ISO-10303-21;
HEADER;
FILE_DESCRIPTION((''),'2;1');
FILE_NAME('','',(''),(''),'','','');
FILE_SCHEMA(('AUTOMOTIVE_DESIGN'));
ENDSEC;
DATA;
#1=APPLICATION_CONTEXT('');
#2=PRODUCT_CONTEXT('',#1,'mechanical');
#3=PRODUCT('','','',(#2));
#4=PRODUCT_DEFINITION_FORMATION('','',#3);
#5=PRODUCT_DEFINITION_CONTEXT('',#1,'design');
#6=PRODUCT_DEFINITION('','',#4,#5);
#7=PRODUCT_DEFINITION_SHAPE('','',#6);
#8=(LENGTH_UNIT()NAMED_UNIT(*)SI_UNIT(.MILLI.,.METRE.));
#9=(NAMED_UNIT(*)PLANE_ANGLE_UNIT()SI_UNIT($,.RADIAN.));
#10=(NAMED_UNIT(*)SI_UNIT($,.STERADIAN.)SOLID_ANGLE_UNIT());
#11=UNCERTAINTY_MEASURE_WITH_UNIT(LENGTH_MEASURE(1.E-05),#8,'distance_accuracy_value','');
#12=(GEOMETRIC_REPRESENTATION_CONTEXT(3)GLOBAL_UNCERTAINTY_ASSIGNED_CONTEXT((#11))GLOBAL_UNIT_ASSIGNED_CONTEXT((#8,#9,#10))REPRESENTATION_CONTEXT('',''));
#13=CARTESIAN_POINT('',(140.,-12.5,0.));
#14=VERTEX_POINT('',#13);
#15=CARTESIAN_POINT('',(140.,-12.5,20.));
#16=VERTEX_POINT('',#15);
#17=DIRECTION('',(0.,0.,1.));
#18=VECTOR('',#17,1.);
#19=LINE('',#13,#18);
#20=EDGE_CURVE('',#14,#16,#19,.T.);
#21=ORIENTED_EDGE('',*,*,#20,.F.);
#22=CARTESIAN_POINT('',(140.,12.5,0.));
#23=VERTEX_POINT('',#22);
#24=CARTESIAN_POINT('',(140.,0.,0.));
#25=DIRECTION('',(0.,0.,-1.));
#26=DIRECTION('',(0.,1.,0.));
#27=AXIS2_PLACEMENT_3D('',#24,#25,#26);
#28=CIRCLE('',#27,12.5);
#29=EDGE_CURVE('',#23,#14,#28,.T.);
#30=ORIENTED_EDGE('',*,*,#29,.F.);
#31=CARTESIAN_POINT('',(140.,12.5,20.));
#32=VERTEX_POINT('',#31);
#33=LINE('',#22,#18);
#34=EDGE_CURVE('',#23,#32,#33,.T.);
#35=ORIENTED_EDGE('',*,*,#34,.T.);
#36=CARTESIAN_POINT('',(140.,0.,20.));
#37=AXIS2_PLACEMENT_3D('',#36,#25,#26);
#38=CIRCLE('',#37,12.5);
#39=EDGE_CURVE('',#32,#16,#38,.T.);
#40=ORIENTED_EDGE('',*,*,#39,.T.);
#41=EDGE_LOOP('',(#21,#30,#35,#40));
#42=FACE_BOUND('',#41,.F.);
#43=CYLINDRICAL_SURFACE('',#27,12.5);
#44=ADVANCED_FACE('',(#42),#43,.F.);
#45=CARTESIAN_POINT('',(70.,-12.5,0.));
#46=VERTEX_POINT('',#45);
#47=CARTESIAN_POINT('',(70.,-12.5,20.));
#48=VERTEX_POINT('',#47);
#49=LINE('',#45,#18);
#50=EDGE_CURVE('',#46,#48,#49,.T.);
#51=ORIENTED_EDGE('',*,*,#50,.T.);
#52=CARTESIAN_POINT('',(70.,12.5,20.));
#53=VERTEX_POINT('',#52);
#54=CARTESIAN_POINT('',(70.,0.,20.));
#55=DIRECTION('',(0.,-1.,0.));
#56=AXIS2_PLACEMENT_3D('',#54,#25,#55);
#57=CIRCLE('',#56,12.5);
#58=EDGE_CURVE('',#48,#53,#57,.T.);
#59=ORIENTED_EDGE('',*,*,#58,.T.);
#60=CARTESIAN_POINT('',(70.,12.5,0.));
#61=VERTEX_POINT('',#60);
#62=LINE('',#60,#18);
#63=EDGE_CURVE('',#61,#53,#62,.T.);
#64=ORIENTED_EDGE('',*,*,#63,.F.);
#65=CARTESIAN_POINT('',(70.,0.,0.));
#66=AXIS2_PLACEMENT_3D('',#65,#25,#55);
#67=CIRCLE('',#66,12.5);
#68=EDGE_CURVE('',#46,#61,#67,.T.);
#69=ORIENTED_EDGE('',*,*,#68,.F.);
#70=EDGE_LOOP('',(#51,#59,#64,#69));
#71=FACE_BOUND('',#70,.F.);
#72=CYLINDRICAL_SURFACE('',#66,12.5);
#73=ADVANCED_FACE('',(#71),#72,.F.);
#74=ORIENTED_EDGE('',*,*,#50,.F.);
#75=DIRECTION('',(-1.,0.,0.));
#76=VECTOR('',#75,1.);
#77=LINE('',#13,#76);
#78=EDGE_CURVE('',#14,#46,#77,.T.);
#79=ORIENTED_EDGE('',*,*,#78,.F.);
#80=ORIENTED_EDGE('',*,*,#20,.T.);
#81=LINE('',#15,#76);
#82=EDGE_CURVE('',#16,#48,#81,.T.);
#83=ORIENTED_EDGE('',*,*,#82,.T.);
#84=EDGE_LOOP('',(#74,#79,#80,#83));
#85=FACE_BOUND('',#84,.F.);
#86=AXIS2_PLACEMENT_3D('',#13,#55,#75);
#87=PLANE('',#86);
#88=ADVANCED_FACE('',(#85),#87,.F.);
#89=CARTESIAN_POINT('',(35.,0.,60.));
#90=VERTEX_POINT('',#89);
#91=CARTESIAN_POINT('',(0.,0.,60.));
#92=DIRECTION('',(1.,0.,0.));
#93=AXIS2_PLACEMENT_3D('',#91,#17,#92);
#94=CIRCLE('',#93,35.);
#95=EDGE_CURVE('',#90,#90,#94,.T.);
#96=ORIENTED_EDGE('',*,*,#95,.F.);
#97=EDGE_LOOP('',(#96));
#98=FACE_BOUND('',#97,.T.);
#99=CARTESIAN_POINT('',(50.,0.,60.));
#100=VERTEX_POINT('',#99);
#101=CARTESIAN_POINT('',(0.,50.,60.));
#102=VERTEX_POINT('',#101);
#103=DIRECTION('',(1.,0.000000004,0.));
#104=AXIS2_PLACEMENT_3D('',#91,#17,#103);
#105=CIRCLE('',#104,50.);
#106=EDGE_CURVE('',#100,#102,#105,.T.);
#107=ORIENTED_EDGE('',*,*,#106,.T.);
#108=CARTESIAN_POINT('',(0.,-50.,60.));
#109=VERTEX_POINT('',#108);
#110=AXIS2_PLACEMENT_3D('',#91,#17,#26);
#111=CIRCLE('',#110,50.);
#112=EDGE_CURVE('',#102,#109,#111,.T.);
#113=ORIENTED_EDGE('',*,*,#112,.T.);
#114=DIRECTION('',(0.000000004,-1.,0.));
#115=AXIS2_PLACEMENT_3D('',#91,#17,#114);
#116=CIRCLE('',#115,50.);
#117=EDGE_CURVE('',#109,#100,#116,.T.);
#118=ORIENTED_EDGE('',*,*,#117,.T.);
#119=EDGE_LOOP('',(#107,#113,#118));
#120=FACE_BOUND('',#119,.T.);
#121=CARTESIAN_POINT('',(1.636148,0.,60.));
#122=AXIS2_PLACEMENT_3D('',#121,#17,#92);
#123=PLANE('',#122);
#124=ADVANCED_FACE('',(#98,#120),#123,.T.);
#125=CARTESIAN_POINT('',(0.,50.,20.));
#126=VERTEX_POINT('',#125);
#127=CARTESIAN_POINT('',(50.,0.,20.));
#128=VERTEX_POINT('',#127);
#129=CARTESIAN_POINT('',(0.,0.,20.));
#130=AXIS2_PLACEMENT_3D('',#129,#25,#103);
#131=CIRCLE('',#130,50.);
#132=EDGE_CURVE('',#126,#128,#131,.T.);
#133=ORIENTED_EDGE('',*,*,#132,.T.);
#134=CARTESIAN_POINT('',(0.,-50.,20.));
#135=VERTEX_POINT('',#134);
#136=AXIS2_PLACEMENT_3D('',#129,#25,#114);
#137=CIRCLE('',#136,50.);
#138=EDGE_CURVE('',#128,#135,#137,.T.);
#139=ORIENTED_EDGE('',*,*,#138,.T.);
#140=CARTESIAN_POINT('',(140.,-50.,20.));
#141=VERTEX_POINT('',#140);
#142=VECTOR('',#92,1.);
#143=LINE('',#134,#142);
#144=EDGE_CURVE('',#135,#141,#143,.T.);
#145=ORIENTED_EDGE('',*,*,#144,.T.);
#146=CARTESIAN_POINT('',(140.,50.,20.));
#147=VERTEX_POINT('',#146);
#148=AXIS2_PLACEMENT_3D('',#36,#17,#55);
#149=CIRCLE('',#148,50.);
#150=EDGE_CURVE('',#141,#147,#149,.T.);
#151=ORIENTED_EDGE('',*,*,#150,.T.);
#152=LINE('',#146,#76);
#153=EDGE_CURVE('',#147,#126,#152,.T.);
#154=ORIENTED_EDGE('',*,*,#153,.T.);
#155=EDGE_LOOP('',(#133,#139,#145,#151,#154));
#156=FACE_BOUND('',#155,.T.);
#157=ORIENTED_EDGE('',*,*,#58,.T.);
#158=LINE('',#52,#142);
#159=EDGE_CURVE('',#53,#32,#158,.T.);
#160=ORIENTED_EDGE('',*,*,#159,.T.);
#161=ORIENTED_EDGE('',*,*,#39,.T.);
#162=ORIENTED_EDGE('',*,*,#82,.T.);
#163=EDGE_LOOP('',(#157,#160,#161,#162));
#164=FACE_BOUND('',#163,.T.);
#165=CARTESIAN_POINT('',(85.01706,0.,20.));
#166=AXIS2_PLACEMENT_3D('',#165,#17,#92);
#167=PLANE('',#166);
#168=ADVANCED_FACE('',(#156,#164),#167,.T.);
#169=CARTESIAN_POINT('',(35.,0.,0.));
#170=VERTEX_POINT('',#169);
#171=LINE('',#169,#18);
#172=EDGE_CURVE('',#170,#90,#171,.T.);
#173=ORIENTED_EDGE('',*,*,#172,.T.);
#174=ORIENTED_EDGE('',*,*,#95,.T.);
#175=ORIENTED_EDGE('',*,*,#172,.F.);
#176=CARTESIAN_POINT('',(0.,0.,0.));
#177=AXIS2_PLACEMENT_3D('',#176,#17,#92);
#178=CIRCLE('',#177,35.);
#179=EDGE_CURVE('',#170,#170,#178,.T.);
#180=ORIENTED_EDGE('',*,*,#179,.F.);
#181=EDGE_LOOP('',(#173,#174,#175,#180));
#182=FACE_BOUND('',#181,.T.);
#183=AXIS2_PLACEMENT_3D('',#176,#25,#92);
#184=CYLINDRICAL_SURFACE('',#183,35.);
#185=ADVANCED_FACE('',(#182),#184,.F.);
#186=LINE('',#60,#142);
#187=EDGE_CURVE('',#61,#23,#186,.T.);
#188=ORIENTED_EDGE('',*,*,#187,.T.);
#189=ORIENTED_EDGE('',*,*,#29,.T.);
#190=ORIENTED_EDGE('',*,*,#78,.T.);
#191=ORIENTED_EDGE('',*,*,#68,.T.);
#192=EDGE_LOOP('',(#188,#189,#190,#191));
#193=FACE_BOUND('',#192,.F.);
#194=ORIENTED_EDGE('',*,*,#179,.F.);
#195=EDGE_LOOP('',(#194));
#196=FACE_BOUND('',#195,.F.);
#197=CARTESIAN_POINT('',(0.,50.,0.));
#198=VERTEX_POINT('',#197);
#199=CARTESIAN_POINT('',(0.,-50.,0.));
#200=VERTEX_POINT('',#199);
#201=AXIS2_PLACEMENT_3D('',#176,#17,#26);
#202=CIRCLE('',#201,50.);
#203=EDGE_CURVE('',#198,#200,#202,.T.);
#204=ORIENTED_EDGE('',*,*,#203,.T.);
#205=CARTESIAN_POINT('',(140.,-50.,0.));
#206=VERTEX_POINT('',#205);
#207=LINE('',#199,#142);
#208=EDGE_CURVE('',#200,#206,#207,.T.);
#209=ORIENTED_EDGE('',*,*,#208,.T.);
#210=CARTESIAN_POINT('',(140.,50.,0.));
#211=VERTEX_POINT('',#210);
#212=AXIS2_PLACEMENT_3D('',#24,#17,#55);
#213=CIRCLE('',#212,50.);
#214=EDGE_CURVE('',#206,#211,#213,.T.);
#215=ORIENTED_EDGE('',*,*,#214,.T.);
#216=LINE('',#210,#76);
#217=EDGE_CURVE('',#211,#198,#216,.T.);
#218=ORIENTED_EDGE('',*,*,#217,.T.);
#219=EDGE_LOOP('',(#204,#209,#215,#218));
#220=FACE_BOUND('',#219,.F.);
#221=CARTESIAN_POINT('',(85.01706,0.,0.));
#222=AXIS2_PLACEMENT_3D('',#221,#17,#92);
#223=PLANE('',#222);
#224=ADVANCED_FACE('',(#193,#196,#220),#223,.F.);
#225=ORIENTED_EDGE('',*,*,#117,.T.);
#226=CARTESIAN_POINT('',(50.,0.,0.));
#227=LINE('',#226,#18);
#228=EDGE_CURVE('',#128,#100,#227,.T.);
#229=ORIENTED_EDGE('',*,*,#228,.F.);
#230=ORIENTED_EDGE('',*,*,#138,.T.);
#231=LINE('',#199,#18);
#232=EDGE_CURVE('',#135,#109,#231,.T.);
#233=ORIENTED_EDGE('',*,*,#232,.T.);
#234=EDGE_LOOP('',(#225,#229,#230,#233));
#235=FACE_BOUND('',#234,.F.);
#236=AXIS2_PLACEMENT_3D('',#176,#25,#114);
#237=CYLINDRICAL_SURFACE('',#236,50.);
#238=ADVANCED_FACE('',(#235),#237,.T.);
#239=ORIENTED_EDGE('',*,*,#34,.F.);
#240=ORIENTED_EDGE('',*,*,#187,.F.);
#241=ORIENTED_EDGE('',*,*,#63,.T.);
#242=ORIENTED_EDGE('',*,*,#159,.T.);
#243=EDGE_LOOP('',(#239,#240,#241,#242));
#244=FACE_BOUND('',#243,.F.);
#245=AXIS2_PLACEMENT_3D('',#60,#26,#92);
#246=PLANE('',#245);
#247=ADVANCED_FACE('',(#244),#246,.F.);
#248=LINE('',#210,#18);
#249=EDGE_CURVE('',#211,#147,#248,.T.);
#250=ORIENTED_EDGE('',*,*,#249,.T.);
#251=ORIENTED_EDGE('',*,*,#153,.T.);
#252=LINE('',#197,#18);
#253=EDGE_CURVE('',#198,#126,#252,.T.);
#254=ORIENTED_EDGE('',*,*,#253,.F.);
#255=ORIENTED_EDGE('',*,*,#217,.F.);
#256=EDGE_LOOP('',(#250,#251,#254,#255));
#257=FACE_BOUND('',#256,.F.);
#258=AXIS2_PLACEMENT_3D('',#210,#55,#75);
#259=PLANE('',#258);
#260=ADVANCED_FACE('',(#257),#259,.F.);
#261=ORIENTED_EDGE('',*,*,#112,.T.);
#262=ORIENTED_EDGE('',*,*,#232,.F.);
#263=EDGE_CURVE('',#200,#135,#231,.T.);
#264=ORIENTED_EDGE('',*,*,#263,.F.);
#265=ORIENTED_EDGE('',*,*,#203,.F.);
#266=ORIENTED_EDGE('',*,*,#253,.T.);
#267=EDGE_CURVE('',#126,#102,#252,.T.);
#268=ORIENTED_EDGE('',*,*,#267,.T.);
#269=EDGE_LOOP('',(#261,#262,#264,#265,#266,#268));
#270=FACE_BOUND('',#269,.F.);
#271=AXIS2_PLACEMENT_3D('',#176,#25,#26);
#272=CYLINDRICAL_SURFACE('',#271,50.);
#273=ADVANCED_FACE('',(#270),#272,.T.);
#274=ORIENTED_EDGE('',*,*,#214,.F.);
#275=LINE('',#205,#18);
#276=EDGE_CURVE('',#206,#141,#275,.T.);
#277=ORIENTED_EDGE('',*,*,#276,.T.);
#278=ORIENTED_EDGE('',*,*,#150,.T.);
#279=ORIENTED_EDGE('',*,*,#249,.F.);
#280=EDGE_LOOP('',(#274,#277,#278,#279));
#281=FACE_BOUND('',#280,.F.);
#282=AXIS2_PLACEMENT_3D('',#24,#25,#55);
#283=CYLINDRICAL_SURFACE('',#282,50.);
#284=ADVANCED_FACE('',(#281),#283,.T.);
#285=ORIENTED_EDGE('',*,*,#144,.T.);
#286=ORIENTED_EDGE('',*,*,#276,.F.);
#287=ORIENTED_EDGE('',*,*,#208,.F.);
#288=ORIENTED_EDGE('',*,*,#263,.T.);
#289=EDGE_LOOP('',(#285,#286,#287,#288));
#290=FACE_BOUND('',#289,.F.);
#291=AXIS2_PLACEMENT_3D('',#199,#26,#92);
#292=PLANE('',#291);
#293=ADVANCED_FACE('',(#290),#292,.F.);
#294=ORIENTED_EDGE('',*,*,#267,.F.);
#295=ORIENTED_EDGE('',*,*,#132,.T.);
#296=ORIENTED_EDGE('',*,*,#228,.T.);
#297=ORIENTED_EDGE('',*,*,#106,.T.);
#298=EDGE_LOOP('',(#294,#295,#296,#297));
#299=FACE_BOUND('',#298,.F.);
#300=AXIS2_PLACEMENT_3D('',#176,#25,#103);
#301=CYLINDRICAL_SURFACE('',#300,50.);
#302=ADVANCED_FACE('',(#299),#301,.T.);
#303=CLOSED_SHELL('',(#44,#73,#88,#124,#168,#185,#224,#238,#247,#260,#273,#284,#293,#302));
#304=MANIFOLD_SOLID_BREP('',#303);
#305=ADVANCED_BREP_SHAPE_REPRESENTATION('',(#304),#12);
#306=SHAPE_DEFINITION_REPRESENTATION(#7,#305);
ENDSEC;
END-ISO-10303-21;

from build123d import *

# Parameters (mm, degrees)
F0_R     = 35
F1_DEPTH = 20
F2_DEPTH = 60


with BuildPart() as f1:
    # F0 (on Top) → F1 (new body)
    with BuildSketch(Plane.XY):
        with BuildLine():
            ThreePointArc((0, 50), (35.355339, 35.355339), (50, 0))
            ThreePointArc((50, 0), (35.355339, -35.355339), (0, -50))
            Line((0, -50), (140, -50))
            ThreePointArc((140, -50), (190, 0), (140, 50))
            Line((140, 50), (0, 50))
        make_face()
        with BuildLine():
            Line((70, 12.5), (140, 12.5))
            ThreePointArc((140, 12.5), (152.5, 0), (140, -12.5))
            Line((140, -12.5), (70, -12.5))
            ThreePointArc((70, -12.5), (57.5, 0), (70, 12.5))
        make_face(mode=Mode.SUBTRACT)
        with BuildLine():
            ThreePointArc((0, -50), (35.355339, -35.355339), (50, 0))
            ThreePointArc((50, 0), (35.355339, 35.355339), (0, 50))
            ThreePointArc((0, 50), (-50, 0), (0, -50))
        make_face()
        Circle(F0_R, mode=Mode.SUBTRACT)
    extrude(amount=F1_DEPTH)

    # F0 (on Top) → F2 (join)
    with BuildSketch(Plane.XY):
        with BuildLine():
            ThreePointArc((0, -50), (35.355339, -35.355339), (50, 0))
            ThreePointArc((50, 0), (35.355339, 35.355339), (0, 50))
            ThreePointArc((0, 50), (-50, 0), (0, -50))
        make_face()
        Circle(F0_R, mode=Mode.SUBTRACT)
    extrude(amount=F2_DEPTH)


solid = f1.part
